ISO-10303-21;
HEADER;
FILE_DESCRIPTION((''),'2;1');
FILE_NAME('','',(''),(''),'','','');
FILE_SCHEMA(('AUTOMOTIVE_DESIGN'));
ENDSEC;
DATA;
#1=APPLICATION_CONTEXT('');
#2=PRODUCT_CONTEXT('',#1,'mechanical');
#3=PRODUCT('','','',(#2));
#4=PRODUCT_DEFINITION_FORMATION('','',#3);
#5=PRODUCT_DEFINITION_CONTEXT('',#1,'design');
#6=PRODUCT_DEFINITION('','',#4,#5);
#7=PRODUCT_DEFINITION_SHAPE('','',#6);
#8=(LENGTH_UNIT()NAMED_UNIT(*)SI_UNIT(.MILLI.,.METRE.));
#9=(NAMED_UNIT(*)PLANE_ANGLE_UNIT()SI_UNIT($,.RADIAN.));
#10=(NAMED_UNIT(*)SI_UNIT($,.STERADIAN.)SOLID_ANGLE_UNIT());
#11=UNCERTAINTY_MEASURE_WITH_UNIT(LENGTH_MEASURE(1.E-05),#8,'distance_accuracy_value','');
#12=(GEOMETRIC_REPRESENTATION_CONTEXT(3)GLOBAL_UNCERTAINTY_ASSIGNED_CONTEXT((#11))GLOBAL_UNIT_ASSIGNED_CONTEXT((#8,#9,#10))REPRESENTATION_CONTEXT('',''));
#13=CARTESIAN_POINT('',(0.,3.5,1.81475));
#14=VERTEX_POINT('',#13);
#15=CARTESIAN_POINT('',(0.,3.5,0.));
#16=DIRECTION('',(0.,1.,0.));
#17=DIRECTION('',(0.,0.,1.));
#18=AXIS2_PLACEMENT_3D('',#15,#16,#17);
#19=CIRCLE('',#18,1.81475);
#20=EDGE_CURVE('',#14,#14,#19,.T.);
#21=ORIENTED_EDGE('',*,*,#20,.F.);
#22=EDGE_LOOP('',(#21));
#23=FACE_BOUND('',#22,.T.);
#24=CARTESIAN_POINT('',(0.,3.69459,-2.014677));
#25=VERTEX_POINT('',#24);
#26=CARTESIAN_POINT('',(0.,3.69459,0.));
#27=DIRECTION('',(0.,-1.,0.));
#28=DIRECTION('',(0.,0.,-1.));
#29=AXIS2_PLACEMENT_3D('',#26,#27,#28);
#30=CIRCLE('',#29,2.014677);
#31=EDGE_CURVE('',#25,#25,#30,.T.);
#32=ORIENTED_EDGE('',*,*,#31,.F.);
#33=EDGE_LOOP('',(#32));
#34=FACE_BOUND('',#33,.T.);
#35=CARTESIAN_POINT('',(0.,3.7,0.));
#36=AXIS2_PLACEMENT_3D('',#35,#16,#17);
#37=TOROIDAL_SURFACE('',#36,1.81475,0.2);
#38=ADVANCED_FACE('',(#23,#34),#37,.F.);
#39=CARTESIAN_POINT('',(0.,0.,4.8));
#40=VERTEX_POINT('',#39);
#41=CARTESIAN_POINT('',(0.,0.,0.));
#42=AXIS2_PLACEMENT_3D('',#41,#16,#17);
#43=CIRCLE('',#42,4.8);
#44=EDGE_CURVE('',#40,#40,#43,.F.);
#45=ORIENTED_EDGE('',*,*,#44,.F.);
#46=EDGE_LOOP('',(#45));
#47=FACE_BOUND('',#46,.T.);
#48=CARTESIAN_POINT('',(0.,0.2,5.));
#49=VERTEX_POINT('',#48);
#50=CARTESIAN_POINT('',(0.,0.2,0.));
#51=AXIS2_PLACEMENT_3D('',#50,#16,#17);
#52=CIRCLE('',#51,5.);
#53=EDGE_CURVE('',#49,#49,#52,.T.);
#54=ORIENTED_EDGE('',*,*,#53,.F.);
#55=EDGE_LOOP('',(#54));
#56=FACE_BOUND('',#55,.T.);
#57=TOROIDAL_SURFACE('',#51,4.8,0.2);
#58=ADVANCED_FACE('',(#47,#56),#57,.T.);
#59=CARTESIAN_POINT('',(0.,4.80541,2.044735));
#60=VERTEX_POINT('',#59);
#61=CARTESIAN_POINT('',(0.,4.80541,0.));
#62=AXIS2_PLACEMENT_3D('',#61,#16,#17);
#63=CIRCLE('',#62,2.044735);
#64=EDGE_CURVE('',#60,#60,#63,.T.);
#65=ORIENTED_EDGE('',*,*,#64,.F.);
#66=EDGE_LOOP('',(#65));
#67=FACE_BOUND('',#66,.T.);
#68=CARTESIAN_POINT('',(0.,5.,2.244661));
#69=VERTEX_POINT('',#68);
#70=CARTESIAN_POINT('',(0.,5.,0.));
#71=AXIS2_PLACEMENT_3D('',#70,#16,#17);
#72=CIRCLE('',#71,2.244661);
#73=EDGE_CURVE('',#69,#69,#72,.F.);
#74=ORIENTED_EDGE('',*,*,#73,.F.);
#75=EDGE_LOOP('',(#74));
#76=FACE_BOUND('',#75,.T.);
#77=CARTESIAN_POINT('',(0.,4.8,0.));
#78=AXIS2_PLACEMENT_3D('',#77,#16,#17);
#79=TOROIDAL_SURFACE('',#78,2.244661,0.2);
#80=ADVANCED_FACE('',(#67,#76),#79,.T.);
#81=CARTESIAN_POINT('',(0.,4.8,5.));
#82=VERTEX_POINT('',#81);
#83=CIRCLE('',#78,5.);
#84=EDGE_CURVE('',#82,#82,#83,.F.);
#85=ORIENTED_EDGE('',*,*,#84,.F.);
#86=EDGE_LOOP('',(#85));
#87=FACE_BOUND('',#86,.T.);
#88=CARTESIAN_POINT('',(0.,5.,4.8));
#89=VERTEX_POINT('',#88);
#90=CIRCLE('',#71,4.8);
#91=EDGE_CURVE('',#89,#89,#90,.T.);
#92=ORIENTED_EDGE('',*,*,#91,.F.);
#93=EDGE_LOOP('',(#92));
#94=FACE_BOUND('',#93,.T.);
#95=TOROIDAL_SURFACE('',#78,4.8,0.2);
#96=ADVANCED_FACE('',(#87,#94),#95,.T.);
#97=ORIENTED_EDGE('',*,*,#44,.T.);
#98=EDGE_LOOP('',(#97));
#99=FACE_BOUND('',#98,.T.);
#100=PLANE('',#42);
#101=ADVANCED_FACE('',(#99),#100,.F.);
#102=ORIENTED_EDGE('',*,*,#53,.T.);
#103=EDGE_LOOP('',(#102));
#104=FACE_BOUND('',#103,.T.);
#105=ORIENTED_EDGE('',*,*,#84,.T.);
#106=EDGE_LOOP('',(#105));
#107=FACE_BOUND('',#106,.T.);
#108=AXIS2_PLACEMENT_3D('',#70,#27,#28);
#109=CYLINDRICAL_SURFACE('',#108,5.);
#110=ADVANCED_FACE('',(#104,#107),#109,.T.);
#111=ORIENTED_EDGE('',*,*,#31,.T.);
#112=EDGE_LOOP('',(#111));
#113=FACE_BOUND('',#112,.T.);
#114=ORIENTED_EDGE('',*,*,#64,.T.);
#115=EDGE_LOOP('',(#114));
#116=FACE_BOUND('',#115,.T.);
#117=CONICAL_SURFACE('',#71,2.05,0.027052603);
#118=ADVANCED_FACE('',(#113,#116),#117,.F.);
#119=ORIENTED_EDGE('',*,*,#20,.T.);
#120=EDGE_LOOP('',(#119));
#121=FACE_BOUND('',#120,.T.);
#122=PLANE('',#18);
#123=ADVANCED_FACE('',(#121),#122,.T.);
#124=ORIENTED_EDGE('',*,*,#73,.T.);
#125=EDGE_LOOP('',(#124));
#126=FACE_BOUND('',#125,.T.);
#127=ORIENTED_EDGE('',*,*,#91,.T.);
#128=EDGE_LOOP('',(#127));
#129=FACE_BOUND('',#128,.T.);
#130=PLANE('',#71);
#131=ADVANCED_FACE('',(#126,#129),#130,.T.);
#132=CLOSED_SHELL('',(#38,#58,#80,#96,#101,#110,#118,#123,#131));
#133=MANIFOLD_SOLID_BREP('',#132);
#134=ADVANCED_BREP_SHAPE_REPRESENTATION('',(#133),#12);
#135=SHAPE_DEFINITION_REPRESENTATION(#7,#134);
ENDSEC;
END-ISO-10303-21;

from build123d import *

# Parameters (mm, degrees)
SKETCH1_R           = 5
BOSS_EXTRUDE1_DEPTH = 5
SKETCH2_R           = 2.05
CUT_EXTRUDE1_DEPTH  = 1.5
CUT_EXTRUDE1_DRAFT  = -1.55
FILLET1_R           = 0.2
FILLET2_R           = 0.2


with BuildPart() as part:
    # Sketch1 → Boss-Extrude1 (new body)
    with BuildSketch(Plane(origin=(0, 0, 0), x_dir=(1, 0, 0), z_dir=(0, 1, 0))):
        Circle(SKETCH1_R)
    extrude(amount=BOSS_EXTRUDE1_DEPTH)


with BuildPart() as cut_extrude1_tool:
    # Sketch2 → Cut-Extrude1 (with draft: the straight prism first)
    with BuildSketch(Plane(origin=(0, 5, 0), x_dir=(1, 0, 0), z_dir=(0, 1, 0))):
        Circle(SKETCH2_R)
    extrude(amount=-CUT_EXTRUDE1_DEPTH)
    # Cut-Extrude1: the draft: its side faces are tilted about the plane it starts from
    cut_extrude1_sides = [cut_extrude1_tool.faces().sort_by_distance(p)[0] for p in [
        (-2.05, 4.25, 0),
    ]]
    draft(cut_extrude1_sides, Plane(origin=(0, 5, 0), x_dir=(1, 0, 0), z_dir=(0, 1, 0)), CUT_EXTRUDE1_DRAFT)


with BuildPart() as part_1:
    add(part.part)

    # Cut-Extrude1: cut by cut_extrude1_tool
    add(cut_extrude1_tool.part, mode=Mode.SUBTRACT)

    # Fillet1
    fillet1_edges = [part_1.edges().sort_by_distance(p)[0] for p in [
        (-5, 0, 0),
        (-5, 5, 0),
        (-2.05, 5, 0),
    ]]
    fillet(fillet1_edges, radius=FILLET1_R)

    # Fillet2
    fillet2_edges = [part_1.edges().sort_by_distance(p)[0] for p in [
        (-2.009411193, 3.5, 0),
    ]]
    fillet(fillet2_edges, radius=FILLET2_R)


solid = part_1.part
